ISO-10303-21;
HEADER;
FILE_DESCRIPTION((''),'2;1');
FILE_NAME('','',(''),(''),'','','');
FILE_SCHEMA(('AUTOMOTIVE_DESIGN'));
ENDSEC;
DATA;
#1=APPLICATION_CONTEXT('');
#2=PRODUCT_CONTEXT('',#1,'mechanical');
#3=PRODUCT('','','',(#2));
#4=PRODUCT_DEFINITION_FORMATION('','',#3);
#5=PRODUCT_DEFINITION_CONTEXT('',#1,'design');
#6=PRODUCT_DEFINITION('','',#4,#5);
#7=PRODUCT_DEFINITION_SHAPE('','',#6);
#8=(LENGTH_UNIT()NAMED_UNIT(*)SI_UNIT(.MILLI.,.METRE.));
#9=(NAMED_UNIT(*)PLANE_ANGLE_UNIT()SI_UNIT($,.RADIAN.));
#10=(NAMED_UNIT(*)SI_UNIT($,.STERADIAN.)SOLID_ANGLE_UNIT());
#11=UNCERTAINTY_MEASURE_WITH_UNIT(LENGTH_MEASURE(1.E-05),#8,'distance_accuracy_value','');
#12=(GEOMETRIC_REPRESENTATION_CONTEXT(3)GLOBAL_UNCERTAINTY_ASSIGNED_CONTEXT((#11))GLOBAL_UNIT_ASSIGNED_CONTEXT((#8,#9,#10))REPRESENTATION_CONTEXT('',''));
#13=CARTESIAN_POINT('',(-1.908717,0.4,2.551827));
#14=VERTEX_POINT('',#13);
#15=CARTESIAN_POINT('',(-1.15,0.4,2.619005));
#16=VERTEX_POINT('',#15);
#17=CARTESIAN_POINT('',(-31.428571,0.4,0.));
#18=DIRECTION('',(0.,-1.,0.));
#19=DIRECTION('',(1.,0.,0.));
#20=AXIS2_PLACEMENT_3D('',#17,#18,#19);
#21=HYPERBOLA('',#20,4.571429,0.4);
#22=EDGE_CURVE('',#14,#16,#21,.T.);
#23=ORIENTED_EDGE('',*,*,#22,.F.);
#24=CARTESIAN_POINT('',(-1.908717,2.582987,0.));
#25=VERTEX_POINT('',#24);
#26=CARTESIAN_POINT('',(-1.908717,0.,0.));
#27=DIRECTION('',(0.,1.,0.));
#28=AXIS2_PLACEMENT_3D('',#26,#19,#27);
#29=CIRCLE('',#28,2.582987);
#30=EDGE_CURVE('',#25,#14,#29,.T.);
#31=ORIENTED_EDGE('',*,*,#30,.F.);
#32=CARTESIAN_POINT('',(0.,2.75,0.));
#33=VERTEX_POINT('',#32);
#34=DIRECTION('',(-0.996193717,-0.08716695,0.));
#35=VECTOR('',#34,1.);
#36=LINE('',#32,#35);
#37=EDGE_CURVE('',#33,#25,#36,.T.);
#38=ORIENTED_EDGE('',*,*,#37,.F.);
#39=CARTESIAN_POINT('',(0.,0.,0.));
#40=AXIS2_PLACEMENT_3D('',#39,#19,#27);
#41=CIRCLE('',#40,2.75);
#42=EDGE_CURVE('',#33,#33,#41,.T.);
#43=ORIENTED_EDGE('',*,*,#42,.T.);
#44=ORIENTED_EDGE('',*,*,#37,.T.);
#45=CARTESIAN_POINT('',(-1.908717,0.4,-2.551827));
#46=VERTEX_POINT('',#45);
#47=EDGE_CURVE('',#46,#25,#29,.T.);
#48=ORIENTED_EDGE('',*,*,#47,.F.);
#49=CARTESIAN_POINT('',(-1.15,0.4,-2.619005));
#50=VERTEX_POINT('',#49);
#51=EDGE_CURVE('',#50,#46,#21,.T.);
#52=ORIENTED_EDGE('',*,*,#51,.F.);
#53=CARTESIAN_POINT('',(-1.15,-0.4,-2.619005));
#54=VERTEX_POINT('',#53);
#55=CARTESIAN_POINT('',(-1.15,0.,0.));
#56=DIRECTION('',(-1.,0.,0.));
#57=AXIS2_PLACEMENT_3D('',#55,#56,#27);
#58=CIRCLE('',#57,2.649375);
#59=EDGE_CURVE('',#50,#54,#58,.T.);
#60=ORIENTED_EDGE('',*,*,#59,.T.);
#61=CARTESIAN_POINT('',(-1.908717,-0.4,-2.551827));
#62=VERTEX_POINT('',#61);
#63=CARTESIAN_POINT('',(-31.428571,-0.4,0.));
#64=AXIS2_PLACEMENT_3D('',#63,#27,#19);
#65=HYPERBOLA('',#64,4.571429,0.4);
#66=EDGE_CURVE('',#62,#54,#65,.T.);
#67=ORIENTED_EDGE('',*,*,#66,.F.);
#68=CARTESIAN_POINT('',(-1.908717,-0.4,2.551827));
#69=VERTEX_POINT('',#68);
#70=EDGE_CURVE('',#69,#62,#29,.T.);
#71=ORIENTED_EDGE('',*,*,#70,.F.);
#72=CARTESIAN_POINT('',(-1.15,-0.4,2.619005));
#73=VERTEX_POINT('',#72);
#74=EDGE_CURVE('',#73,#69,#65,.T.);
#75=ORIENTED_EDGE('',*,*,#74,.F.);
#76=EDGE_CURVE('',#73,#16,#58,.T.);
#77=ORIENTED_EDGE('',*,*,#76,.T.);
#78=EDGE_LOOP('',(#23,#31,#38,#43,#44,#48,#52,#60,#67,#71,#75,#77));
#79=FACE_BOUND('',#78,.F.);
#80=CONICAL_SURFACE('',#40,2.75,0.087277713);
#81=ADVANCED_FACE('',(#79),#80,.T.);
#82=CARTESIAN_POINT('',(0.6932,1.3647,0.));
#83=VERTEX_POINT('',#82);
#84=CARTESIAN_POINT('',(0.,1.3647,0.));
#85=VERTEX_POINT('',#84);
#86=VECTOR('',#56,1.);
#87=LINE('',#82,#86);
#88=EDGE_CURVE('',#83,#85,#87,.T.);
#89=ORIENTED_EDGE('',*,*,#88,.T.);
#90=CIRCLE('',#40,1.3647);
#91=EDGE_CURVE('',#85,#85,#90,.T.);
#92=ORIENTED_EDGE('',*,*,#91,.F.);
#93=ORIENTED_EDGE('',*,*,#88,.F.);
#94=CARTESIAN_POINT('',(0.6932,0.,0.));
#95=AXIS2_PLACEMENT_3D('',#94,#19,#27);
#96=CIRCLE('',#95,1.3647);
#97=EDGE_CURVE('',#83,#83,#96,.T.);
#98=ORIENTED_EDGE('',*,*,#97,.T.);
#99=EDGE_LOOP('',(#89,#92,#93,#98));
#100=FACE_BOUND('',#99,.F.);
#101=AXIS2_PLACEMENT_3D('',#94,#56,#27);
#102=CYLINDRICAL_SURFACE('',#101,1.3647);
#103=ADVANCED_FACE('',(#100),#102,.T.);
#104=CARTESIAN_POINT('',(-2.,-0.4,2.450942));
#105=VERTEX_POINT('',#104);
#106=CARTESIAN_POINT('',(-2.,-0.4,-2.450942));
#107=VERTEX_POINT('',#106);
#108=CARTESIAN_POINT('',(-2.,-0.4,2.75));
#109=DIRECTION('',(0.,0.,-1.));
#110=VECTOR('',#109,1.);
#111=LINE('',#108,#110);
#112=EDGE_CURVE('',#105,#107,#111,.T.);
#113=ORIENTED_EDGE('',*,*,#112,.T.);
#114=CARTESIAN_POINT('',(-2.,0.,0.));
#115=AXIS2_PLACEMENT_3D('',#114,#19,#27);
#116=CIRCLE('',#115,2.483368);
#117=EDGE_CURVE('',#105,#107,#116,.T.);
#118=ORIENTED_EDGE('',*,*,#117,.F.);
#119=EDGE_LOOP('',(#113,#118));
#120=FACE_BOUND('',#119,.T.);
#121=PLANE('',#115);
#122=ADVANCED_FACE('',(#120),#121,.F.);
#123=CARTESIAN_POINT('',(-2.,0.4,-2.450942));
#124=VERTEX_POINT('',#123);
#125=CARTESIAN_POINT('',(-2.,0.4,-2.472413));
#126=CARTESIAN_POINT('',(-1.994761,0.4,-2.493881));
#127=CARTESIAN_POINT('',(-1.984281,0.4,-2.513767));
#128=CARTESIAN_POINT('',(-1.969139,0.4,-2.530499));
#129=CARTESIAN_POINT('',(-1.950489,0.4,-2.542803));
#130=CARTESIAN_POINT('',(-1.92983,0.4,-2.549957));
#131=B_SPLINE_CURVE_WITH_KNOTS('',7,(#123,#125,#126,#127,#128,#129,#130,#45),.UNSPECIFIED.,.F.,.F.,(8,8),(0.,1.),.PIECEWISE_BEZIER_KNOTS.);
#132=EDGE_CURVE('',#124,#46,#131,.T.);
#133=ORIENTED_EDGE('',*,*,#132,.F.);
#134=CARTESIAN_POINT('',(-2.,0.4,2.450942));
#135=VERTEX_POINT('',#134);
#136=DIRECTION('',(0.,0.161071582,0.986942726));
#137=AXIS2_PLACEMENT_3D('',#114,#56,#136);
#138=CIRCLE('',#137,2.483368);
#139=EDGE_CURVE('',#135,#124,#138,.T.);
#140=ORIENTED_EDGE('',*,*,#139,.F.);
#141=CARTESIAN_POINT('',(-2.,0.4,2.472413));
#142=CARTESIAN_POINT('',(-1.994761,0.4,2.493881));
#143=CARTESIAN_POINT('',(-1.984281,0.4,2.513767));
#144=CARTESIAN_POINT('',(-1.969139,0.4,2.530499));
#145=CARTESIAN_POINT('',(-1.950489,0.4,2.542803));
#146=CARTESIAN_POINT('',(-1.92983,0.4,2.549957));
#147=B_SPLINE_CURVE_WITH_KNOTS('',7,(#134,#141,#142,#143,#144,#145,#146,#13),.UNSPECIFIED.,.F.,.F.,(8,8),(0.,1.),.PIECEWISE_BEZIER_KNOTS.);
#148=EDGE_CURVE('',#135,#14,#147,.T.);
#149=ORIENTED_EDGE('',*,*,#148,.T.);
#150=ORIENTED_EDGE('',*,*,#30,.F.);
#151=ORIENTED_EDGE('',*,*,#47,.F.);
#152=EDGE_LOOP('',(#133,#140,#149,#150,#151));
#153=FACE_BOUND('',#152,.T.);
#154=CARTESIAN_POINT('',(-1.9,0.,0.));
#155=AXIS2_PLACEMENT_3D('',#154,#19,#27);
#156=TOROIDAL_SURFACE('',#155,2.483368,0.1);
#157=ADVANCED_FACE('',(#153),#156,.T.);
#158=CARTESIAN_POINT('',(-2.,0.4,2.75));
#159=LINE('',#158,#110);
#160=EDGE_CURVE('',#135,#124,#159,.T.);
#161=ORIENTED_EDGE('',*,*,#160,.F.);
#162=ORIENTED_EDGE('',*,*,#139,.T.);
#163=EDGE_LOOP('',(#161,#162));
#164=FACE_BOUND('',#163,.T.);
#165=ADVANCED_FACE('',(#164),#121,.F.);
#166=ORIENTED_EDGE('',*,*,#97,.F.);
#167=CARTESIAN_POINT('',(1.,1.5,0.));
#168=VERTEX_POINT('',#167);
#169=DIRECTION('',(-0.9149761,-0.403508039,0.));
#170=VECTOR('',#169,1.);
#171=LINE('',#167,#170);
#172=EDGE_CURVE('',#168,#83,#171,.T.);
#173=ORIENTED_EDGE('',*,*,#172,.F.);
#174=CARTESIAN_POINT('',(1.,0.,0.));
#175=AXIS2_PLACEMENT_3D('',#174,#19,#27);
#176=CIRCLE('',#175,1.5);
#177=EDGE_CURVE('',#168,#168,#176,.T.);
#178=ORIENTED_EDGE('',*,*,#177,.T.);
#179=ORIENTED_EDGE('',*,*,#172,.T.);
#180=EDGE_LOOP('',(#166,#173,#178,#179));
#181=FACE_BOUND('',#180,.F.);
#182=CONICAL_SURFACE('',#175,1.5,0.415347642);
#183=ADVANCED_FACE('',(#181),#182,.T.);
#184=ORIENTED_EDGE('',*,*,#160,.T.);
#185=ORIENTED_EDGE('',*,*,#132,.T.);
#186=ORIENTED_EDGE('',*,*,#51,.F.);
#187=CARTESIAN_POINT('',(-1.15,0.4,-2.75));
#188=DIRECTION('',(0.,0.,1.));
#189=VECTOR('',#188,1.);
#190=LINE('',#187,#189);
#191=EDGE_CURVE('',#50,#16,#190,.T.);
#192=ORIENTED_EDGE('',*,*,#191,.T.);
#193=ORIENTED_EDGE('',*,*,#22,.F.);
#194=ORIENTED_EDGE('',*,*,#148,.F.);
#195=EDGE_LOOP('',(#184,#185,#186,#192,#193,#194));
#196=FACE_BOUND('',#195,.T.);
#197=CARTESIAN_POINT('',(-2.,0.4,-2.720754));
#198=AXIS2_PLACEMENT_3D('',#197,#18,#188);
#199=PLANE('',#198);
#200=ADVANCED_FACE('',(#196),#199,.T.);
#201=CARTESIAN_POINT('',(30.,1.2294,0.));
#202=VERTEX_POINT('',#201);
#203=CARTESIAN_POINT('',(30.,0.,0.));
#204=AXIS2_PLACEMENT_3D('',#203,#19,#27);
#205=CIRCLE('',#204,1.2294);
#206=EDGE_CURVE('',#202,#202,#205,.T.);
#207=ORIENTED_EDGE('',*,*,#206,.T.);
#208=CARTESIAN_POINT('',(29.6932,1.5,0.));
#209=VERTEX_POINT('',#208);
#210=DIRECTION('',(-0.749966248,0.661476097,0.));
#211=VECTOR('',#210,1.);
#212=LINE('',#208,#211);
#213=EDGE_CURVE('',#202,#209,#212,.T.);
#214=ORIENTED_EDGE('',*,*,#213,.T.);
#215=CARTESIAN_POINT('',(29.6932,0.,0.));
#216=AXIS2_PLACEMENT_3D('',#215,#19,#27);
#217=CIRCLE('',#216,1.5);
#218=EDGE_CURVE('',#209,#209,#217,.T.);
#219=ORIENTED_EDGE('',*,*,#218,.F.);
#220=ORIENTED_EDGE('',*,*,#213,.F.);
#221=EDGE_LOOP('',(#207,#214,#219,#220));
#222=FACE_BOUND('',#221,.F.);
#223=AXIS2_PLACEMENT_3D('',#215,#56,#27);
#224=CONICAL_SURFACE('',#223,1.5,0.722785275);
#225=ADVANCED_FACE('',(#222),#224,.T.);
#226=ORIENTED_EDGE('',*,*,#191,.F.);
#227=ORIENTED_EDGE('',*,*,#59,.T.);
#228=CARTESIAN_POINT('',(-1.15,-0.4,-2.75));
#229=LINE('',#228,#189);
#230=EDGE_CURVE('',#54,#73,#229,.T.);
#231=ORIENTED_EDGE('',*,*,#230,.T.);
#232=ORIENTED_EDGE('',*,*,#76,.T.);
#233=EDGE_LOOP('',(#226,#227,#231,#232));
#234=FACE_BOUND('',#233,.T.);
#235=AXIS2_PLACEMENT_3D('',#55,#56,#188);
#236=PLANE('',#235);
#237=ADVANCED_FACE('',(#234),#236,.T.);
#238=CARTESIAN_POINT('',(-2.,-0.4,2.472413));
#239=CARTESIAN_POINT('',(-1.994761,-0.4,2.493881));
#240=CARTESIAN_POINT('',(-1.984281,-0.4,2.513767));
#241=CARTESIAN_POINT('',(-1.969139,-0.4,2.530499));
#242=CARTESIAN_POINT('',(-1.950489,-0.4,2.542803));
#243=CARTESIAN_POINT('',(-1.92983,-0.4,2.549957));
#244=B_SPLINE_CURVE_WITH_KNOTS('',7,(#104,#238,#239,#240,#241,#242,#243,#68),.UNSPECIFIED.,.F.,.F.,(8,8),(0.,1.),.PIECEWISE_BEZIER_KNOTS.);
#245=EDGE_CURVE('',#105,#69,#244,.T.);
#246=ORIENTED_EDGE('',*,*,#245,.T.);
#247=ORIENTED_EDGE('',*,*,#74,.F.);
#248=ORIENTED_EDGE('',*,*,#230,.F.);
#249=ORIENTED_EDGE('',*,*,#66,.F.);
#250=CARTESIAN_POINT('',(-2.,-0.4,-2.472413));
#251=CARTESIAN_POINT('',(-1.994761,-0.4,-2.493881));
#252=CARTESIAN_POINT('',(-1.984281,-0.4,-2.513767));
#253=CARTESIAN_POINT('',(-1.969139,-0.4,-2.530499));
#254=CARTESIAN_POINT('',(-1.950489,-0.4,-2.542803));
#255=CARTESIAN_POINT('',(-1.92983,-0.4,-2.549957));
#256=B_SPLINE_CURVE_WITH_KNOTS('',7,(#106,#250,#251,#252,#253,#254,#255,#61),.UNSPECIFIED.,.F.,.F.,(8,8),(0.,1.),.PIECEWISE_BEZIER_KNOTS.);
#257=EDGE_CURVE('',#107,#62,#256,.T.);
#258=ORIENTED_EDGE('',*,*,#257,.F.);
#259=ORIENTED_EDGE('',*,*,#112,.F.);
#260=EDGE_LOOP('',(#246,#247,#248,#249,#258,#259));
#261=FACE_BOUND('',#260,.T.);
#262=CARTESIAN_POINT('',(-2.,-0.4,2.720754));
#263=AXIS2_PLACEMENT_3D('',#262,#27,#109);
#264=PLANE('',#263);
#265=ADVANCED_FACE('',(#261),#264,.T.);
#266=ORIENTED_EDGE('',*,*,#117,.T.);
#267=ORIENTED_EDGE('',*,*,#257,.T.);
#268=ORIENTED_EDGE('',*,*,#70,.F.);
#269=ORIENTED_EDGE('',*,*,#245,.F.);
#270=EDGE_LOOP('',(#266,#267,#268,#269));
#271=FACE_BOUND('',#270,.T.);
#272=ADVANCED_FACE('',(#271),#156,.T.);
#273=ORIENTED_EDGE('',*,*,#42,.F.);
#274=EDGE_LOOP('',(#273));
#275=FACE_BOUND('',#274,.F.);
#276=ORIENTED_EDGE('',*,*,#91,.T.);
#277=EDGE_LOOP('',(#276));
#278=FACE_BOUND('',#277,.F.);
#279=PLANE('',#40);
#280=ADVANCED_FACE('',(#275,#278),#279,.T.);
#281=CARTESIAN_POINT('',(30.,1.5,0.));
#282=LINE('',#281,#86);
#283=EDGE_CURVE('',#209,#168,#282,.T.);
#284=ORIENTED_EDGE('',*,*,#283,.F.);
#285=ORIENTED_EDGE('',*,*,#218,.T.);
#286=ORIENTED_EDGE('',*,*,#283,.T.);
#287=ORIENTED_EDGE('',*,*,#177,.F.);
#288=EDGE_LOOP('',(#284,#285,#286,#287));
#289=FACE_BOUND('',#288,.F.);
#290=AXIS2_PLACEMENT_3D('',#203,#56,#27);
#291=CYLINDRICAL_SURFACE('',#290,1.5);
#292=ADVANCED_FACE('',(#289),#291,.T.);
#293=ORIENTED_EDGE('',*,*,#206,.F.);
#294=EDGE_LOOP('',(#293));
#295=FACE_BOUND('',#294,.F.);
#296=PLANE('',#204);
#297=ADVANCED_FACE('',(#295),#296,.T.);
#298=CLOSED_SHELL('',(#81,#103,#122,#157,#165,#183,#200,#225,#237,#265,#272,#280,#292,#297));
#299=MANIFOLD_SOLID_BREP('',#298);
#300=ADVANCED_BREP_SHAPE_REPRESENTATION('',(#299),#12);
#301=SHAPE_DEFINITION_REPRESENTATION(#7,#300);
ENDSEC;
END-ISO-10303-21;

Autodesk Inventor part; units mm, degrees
ref_plane "YZ Plane" through (0, 0, 0) normal (1, 0, 0) x (0, 1, 0)
ref_plane "XZ Plane" through (0, 0, 0) normal (0, 1, 0) x (-1, 0, 0)
sketch "Esquisse1" plane through (0, 0, 0) normal (0, 0, 1) x (1, 0, 0)
  line L0 (-2, 0) -> (30, 0)
  line L1 (30, 0) -> (30, 1.5)
  line L2 (30, 1.5) -> (1, 1.5)
  line L3 (1, 1.5) -> (0.6932, 1.3647)
  line L4 (0.6932, 1.3647) -> (0, 1.3647)
  line L5 (0, 1.3647) -> (0, 2.75)
  line L6 (-8.4, 0) -> (36.4, 0) projected
  line L7 (0, -0.55) -> (0, 3.3) projected
  line L8 (-2, 0) -> (-2, 2.575)
  line L9 (0, 2.75) -> (-2, 2.575)
  line L10 (1, 1.5) -> (0, 1.5) construction
  dimension "d0" = 30
  dimension "d1" = 29
  dimension "d2" = 0.3068
  dimension "d3" = 2
  dimension "d4" = 3
  dimension "d5" = 2.7294
  dimension "d9" = 5.5
  dimension "d10" = 5
revolve "Corps" add sketch "Esquisse1" angle 360 about axis through (-2, 0, 0) along (1, 0, 0)
sketch "Esquisse2" plane through (-2, 0, 0) normal (-1, 0, 0) x (0, 0, 1)
  circle A0 centre (0, 0) radius 2.75 projected
  line L0 (0, 0) -> (0, 2.575) projected
  line L1 (-2.75, 0.4) -> (2.75, 0.4)
  line L2 (2.75, 0.4) -> (2.75, -0.4)
  line L3 (2.75, -0.4) -> (-2.75, -0.4)
  line L4 (-2.75, -0.4) -> (-2.75, 0.4)
  line L5 (-2.75, 0) -> (2.75, 0) construction
  line L6 (0, 0.4) -> (0, -0.4) construction
  dimension "d11" = 0.8
  dimension "d12" = 5.5
fillet "Congé1" radius 0.1 1 edges at (-2, -2.575, 0)
extrude "Rainure" cut sketch "Esquisse2" against normal blind 0.85 contours A0 L3 L1 | L2 L3 A0 | A0 L1 L2 | A0 L4 L1 | L3 L4 A0
thread "Filetage" size "M3x0.5" class "6g" standard "ISO Metric profile" length 29
chamfer "Chanfrein1" distance 0.2706 distance2 0.3068 1 edges at (30, -1.5, 0) measured on face at (30, 0.3888, 0.4512)
ref_plane "Work Plane1" through (30.1625, 0, 0) normal (0, 0, -1) x (1, 0, 0)
equation "\"d11\" = SBR"
equation "\"d12\" = KOD"
equation "\"d14\" = RR"
equation "\"d19\" = STI"
equation "\"d15\" = GEL"
equation "\"d17\" = -0.5 * SPD + 0.5 * GD"
equation "\"d0\" = NLG"
equation "\"d1\" = GEL"
equation "\"d3\" = KOH"
equation "\"d4\" = GD"
equation "\"d5\" = BDM"
equation "\"d9\" = KOD"
equation "\"d10\" = KEWI"
equation "\"GD\" = 3"
equation "\"NLG\" = 30"
equation "\"GEL\" = 29"
equation "\"KOD\" = 5.5"
equation "\"KOH\" = 2"
equation "\"GAL\" = 0.61345 * PTC"
equation "\"SPD\" = 2.45873"
equation "\"BDM\" = 2.72937"
equation "\"GUL\" = 0.61345 * PTC"
equation "\"RR\" = 0.1"
equation "\"SBR\" = 0.8"
equation "\"STI\" = 0.85"
equation "\"KEWI\" = 5deg"
equation "\"PTC\" = 0.5"
equation "\"THREADDIA\" = 3"
equation "\"TOA\" = 30deg"
equation "\"NND\" = 3"
equation "\"GD1\" = THREADDIA - 1.2269 * PTC"
properties part number "DIN 84 - M3 x 30" material "Acier, doux"
